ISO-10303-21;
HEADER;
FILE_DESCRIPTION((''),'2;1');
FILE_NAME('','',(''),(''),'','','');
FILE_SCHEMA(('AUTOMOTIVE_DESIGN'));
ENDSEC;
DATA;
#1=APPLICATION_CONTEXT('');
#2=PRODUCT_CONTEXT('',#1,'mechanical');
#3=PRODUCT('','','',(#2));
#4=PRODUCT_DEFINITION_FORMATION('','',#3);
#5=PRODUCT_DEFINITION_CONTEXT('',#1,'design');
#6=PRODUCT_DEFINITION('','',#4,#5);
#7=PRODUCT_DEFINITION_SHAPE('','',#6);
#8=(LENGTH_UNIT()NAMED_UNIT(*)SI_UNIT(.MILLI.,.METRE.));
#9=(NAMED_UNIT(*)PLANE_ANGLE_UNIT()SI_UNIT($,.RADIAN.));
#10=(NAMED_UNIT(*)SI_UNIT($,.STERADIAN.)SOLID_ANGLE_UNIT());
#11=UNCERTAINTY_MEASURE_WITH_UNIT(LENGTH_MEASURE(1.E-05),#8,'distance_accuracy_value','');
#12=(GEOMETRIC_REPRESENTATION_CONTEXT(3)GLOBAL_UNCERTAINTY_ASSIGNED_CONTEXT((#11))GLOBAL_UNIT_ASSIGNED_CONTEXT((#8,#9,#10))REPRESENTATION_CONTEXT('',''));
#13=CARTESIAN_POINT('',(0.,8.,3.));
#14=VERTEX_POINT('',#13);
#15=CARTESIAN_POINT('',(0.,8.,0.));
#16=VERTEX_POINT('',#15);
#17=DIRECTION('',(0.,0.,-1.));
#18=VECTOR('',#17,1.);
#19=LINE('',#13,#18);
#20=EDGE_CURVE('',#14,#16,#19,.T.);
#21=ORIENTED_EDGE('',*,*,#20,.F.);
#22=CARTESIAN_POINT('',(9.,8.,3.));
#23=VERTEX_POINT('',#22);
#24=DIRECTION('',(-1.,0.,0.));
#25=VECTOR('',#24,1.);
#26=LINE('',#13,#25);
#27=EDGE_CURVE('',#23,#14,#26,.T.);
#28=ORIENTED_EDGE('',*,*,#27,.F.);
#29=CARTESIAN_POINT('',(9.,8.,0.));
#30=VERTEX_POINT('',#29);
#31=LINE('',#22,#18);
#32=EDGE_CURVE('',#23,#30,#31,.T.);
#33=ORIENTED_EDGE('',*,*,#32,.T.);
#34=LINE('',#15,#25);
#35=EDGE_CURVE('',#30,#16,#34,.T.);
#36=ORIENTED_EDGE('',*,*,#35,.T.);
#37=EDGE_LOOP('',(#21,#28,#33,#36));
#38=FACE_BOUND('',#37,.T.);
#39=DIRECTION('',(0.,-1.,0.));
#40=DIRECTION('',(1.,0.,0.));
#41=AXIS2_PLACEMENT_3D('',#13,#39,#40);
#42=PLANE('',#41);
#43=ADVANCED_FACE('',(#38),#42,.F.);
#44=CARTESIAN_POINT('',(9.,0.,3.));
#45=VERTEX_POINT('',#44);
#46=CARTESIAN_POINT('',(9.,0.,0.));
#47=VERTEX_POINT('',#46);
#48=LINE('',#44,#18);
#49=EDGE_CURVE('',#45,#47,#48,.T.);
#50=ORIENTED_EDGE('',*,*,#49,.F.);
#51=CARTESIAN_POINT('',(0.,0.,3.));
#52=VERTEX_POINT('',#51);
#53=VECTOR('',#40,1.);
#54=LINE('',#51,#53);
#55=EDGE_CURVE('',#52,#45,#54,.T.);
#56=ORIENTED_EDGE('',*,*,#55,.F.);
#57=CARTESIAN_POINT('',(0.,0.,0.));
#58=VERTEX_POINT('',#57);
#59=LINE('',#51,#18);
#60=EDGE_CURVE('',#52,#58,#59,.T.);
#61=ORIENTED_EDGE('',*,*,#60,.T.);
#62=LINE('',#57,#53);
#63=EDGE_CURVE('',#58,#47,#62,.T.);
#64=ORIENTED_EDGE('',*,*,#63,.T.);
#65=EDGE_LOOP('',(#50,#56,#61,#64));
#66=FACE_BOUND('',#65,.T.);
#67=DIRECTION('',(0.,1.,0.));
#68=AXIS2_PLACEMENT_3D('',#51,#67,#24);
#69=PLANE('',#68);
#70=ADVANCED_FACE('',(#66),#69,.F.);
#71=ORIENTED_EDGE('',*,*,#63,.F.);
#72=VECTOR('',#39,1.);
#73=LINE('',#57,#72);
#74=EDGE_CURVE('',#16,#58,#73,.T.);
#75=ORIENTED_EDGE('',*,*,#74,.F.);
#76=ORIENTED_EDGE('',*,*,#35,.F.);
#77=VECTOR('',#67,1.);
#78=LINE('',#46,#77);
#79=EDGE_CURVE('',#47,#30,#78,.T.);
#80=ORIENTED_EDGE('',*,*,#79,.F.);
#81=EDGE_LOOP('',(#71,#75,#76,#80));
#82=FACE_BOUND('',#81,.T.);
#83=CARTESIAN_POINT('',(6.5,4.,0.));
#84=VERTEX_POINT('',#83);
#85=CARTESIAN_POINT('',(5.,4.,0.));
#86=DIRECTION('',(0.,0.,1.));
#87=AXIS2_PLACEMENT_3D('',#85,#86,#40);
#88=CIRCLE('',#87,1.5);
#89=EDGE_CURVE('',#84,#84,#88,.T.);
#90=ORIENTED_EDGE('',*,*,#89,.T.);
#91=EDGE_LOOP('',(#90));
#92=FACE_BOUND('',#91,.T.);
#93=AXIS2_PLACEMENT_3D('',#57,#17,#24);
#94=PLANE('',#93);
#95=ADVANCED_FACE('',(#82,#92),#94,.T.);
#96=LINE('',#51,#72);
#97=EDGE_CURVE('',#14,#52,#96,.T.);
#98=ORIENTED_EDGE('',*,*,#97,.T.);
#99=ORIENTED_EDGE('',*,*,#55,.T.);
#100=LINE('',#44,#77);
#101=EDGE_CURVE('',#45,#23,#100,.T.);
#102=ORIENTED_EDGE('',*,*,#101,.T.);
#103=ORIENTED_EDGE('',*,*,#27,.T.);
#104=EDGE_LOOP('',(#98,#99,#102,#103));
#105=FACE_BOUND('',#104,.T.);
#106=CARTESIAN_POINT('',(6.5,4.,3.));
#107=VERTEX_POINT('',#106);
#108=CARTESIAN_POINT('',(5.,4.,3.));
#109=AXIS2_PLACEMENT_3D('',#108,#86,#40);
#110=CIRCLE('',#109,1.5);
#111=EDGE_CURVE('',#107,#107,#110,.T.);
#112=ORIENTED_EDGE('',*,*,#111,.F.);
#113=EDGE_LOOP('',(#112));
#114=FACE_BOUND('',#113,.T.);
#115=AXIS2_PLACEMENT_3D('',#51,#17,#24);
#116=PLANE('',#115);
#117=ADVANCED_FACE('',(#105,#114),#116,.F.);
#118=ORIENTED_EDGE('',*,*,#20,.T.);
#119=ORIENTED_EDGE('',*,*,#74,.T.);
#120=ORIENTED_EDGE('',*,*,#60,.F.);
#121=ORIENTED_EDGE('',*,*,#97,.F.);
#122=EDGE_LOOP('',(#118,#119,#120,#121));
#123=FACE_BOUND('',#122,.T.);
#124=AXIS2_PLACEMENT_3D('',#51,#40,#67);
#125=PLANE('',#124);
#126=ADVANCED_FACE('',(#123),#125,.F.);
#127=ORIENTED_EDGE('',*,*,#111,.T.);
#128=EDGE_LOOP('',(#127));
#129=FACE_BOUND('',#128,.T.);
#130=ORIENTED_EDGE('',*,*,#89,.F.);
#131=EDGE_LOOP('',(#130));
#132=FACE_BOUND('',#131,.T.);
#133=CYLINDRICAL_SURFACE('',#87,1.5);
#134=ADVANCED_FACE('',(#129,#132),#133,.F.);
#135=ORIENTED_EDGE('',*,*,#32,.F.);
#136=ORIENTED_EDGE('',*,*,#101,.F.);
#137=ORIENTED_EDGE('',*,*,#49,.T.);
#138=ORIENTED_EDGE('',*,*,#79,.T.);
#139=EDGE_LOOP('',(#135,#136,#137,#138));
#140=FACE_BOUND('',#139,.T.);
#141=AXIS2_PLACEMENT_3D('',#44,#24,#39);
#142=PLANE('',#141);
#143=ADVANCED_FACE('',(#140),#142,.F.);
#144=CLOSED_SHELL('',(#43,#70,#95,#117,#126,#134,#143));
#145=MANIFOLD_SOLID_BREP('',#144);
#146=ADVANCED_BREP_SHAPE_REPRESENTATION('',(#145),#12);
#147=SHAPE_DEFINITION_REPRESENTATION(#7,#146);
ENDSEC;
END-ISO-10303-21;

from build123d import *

# Parameters (mm, degrees)
SKETCH_1_W          = 9
SKETCH_1_H          = 8
EXTRUDE_1_DEPTH     = 3
SKETCH_2_R          = 1.5
CUT_EXTRUDE_1_DEPTH = 13.409673646


with BuildPart() as part:
    # Эскиз1 → Бобышка-Вытянуть1 (new body)
    with BuildSketch(Plane.XY):
        with Locations((4.5, 4)):
            Rectangle(SKETCH_1_W, SKETCH_1_H)
    extrude(amount=EXTRUDE_1_DEPTH)

    # Эскиз2 → Вырез-Вытянуть1 (cut, through all)
    with BuildSketch(Plane.XY.offset(3)):
        with Locations((5, 4)):
            Circle(SKETCH_2_R)
    extrude(amount=-CUT_EXTRUDE_1_DEPTH, mode=Mode.SUBTRACT)


solid = part.part
